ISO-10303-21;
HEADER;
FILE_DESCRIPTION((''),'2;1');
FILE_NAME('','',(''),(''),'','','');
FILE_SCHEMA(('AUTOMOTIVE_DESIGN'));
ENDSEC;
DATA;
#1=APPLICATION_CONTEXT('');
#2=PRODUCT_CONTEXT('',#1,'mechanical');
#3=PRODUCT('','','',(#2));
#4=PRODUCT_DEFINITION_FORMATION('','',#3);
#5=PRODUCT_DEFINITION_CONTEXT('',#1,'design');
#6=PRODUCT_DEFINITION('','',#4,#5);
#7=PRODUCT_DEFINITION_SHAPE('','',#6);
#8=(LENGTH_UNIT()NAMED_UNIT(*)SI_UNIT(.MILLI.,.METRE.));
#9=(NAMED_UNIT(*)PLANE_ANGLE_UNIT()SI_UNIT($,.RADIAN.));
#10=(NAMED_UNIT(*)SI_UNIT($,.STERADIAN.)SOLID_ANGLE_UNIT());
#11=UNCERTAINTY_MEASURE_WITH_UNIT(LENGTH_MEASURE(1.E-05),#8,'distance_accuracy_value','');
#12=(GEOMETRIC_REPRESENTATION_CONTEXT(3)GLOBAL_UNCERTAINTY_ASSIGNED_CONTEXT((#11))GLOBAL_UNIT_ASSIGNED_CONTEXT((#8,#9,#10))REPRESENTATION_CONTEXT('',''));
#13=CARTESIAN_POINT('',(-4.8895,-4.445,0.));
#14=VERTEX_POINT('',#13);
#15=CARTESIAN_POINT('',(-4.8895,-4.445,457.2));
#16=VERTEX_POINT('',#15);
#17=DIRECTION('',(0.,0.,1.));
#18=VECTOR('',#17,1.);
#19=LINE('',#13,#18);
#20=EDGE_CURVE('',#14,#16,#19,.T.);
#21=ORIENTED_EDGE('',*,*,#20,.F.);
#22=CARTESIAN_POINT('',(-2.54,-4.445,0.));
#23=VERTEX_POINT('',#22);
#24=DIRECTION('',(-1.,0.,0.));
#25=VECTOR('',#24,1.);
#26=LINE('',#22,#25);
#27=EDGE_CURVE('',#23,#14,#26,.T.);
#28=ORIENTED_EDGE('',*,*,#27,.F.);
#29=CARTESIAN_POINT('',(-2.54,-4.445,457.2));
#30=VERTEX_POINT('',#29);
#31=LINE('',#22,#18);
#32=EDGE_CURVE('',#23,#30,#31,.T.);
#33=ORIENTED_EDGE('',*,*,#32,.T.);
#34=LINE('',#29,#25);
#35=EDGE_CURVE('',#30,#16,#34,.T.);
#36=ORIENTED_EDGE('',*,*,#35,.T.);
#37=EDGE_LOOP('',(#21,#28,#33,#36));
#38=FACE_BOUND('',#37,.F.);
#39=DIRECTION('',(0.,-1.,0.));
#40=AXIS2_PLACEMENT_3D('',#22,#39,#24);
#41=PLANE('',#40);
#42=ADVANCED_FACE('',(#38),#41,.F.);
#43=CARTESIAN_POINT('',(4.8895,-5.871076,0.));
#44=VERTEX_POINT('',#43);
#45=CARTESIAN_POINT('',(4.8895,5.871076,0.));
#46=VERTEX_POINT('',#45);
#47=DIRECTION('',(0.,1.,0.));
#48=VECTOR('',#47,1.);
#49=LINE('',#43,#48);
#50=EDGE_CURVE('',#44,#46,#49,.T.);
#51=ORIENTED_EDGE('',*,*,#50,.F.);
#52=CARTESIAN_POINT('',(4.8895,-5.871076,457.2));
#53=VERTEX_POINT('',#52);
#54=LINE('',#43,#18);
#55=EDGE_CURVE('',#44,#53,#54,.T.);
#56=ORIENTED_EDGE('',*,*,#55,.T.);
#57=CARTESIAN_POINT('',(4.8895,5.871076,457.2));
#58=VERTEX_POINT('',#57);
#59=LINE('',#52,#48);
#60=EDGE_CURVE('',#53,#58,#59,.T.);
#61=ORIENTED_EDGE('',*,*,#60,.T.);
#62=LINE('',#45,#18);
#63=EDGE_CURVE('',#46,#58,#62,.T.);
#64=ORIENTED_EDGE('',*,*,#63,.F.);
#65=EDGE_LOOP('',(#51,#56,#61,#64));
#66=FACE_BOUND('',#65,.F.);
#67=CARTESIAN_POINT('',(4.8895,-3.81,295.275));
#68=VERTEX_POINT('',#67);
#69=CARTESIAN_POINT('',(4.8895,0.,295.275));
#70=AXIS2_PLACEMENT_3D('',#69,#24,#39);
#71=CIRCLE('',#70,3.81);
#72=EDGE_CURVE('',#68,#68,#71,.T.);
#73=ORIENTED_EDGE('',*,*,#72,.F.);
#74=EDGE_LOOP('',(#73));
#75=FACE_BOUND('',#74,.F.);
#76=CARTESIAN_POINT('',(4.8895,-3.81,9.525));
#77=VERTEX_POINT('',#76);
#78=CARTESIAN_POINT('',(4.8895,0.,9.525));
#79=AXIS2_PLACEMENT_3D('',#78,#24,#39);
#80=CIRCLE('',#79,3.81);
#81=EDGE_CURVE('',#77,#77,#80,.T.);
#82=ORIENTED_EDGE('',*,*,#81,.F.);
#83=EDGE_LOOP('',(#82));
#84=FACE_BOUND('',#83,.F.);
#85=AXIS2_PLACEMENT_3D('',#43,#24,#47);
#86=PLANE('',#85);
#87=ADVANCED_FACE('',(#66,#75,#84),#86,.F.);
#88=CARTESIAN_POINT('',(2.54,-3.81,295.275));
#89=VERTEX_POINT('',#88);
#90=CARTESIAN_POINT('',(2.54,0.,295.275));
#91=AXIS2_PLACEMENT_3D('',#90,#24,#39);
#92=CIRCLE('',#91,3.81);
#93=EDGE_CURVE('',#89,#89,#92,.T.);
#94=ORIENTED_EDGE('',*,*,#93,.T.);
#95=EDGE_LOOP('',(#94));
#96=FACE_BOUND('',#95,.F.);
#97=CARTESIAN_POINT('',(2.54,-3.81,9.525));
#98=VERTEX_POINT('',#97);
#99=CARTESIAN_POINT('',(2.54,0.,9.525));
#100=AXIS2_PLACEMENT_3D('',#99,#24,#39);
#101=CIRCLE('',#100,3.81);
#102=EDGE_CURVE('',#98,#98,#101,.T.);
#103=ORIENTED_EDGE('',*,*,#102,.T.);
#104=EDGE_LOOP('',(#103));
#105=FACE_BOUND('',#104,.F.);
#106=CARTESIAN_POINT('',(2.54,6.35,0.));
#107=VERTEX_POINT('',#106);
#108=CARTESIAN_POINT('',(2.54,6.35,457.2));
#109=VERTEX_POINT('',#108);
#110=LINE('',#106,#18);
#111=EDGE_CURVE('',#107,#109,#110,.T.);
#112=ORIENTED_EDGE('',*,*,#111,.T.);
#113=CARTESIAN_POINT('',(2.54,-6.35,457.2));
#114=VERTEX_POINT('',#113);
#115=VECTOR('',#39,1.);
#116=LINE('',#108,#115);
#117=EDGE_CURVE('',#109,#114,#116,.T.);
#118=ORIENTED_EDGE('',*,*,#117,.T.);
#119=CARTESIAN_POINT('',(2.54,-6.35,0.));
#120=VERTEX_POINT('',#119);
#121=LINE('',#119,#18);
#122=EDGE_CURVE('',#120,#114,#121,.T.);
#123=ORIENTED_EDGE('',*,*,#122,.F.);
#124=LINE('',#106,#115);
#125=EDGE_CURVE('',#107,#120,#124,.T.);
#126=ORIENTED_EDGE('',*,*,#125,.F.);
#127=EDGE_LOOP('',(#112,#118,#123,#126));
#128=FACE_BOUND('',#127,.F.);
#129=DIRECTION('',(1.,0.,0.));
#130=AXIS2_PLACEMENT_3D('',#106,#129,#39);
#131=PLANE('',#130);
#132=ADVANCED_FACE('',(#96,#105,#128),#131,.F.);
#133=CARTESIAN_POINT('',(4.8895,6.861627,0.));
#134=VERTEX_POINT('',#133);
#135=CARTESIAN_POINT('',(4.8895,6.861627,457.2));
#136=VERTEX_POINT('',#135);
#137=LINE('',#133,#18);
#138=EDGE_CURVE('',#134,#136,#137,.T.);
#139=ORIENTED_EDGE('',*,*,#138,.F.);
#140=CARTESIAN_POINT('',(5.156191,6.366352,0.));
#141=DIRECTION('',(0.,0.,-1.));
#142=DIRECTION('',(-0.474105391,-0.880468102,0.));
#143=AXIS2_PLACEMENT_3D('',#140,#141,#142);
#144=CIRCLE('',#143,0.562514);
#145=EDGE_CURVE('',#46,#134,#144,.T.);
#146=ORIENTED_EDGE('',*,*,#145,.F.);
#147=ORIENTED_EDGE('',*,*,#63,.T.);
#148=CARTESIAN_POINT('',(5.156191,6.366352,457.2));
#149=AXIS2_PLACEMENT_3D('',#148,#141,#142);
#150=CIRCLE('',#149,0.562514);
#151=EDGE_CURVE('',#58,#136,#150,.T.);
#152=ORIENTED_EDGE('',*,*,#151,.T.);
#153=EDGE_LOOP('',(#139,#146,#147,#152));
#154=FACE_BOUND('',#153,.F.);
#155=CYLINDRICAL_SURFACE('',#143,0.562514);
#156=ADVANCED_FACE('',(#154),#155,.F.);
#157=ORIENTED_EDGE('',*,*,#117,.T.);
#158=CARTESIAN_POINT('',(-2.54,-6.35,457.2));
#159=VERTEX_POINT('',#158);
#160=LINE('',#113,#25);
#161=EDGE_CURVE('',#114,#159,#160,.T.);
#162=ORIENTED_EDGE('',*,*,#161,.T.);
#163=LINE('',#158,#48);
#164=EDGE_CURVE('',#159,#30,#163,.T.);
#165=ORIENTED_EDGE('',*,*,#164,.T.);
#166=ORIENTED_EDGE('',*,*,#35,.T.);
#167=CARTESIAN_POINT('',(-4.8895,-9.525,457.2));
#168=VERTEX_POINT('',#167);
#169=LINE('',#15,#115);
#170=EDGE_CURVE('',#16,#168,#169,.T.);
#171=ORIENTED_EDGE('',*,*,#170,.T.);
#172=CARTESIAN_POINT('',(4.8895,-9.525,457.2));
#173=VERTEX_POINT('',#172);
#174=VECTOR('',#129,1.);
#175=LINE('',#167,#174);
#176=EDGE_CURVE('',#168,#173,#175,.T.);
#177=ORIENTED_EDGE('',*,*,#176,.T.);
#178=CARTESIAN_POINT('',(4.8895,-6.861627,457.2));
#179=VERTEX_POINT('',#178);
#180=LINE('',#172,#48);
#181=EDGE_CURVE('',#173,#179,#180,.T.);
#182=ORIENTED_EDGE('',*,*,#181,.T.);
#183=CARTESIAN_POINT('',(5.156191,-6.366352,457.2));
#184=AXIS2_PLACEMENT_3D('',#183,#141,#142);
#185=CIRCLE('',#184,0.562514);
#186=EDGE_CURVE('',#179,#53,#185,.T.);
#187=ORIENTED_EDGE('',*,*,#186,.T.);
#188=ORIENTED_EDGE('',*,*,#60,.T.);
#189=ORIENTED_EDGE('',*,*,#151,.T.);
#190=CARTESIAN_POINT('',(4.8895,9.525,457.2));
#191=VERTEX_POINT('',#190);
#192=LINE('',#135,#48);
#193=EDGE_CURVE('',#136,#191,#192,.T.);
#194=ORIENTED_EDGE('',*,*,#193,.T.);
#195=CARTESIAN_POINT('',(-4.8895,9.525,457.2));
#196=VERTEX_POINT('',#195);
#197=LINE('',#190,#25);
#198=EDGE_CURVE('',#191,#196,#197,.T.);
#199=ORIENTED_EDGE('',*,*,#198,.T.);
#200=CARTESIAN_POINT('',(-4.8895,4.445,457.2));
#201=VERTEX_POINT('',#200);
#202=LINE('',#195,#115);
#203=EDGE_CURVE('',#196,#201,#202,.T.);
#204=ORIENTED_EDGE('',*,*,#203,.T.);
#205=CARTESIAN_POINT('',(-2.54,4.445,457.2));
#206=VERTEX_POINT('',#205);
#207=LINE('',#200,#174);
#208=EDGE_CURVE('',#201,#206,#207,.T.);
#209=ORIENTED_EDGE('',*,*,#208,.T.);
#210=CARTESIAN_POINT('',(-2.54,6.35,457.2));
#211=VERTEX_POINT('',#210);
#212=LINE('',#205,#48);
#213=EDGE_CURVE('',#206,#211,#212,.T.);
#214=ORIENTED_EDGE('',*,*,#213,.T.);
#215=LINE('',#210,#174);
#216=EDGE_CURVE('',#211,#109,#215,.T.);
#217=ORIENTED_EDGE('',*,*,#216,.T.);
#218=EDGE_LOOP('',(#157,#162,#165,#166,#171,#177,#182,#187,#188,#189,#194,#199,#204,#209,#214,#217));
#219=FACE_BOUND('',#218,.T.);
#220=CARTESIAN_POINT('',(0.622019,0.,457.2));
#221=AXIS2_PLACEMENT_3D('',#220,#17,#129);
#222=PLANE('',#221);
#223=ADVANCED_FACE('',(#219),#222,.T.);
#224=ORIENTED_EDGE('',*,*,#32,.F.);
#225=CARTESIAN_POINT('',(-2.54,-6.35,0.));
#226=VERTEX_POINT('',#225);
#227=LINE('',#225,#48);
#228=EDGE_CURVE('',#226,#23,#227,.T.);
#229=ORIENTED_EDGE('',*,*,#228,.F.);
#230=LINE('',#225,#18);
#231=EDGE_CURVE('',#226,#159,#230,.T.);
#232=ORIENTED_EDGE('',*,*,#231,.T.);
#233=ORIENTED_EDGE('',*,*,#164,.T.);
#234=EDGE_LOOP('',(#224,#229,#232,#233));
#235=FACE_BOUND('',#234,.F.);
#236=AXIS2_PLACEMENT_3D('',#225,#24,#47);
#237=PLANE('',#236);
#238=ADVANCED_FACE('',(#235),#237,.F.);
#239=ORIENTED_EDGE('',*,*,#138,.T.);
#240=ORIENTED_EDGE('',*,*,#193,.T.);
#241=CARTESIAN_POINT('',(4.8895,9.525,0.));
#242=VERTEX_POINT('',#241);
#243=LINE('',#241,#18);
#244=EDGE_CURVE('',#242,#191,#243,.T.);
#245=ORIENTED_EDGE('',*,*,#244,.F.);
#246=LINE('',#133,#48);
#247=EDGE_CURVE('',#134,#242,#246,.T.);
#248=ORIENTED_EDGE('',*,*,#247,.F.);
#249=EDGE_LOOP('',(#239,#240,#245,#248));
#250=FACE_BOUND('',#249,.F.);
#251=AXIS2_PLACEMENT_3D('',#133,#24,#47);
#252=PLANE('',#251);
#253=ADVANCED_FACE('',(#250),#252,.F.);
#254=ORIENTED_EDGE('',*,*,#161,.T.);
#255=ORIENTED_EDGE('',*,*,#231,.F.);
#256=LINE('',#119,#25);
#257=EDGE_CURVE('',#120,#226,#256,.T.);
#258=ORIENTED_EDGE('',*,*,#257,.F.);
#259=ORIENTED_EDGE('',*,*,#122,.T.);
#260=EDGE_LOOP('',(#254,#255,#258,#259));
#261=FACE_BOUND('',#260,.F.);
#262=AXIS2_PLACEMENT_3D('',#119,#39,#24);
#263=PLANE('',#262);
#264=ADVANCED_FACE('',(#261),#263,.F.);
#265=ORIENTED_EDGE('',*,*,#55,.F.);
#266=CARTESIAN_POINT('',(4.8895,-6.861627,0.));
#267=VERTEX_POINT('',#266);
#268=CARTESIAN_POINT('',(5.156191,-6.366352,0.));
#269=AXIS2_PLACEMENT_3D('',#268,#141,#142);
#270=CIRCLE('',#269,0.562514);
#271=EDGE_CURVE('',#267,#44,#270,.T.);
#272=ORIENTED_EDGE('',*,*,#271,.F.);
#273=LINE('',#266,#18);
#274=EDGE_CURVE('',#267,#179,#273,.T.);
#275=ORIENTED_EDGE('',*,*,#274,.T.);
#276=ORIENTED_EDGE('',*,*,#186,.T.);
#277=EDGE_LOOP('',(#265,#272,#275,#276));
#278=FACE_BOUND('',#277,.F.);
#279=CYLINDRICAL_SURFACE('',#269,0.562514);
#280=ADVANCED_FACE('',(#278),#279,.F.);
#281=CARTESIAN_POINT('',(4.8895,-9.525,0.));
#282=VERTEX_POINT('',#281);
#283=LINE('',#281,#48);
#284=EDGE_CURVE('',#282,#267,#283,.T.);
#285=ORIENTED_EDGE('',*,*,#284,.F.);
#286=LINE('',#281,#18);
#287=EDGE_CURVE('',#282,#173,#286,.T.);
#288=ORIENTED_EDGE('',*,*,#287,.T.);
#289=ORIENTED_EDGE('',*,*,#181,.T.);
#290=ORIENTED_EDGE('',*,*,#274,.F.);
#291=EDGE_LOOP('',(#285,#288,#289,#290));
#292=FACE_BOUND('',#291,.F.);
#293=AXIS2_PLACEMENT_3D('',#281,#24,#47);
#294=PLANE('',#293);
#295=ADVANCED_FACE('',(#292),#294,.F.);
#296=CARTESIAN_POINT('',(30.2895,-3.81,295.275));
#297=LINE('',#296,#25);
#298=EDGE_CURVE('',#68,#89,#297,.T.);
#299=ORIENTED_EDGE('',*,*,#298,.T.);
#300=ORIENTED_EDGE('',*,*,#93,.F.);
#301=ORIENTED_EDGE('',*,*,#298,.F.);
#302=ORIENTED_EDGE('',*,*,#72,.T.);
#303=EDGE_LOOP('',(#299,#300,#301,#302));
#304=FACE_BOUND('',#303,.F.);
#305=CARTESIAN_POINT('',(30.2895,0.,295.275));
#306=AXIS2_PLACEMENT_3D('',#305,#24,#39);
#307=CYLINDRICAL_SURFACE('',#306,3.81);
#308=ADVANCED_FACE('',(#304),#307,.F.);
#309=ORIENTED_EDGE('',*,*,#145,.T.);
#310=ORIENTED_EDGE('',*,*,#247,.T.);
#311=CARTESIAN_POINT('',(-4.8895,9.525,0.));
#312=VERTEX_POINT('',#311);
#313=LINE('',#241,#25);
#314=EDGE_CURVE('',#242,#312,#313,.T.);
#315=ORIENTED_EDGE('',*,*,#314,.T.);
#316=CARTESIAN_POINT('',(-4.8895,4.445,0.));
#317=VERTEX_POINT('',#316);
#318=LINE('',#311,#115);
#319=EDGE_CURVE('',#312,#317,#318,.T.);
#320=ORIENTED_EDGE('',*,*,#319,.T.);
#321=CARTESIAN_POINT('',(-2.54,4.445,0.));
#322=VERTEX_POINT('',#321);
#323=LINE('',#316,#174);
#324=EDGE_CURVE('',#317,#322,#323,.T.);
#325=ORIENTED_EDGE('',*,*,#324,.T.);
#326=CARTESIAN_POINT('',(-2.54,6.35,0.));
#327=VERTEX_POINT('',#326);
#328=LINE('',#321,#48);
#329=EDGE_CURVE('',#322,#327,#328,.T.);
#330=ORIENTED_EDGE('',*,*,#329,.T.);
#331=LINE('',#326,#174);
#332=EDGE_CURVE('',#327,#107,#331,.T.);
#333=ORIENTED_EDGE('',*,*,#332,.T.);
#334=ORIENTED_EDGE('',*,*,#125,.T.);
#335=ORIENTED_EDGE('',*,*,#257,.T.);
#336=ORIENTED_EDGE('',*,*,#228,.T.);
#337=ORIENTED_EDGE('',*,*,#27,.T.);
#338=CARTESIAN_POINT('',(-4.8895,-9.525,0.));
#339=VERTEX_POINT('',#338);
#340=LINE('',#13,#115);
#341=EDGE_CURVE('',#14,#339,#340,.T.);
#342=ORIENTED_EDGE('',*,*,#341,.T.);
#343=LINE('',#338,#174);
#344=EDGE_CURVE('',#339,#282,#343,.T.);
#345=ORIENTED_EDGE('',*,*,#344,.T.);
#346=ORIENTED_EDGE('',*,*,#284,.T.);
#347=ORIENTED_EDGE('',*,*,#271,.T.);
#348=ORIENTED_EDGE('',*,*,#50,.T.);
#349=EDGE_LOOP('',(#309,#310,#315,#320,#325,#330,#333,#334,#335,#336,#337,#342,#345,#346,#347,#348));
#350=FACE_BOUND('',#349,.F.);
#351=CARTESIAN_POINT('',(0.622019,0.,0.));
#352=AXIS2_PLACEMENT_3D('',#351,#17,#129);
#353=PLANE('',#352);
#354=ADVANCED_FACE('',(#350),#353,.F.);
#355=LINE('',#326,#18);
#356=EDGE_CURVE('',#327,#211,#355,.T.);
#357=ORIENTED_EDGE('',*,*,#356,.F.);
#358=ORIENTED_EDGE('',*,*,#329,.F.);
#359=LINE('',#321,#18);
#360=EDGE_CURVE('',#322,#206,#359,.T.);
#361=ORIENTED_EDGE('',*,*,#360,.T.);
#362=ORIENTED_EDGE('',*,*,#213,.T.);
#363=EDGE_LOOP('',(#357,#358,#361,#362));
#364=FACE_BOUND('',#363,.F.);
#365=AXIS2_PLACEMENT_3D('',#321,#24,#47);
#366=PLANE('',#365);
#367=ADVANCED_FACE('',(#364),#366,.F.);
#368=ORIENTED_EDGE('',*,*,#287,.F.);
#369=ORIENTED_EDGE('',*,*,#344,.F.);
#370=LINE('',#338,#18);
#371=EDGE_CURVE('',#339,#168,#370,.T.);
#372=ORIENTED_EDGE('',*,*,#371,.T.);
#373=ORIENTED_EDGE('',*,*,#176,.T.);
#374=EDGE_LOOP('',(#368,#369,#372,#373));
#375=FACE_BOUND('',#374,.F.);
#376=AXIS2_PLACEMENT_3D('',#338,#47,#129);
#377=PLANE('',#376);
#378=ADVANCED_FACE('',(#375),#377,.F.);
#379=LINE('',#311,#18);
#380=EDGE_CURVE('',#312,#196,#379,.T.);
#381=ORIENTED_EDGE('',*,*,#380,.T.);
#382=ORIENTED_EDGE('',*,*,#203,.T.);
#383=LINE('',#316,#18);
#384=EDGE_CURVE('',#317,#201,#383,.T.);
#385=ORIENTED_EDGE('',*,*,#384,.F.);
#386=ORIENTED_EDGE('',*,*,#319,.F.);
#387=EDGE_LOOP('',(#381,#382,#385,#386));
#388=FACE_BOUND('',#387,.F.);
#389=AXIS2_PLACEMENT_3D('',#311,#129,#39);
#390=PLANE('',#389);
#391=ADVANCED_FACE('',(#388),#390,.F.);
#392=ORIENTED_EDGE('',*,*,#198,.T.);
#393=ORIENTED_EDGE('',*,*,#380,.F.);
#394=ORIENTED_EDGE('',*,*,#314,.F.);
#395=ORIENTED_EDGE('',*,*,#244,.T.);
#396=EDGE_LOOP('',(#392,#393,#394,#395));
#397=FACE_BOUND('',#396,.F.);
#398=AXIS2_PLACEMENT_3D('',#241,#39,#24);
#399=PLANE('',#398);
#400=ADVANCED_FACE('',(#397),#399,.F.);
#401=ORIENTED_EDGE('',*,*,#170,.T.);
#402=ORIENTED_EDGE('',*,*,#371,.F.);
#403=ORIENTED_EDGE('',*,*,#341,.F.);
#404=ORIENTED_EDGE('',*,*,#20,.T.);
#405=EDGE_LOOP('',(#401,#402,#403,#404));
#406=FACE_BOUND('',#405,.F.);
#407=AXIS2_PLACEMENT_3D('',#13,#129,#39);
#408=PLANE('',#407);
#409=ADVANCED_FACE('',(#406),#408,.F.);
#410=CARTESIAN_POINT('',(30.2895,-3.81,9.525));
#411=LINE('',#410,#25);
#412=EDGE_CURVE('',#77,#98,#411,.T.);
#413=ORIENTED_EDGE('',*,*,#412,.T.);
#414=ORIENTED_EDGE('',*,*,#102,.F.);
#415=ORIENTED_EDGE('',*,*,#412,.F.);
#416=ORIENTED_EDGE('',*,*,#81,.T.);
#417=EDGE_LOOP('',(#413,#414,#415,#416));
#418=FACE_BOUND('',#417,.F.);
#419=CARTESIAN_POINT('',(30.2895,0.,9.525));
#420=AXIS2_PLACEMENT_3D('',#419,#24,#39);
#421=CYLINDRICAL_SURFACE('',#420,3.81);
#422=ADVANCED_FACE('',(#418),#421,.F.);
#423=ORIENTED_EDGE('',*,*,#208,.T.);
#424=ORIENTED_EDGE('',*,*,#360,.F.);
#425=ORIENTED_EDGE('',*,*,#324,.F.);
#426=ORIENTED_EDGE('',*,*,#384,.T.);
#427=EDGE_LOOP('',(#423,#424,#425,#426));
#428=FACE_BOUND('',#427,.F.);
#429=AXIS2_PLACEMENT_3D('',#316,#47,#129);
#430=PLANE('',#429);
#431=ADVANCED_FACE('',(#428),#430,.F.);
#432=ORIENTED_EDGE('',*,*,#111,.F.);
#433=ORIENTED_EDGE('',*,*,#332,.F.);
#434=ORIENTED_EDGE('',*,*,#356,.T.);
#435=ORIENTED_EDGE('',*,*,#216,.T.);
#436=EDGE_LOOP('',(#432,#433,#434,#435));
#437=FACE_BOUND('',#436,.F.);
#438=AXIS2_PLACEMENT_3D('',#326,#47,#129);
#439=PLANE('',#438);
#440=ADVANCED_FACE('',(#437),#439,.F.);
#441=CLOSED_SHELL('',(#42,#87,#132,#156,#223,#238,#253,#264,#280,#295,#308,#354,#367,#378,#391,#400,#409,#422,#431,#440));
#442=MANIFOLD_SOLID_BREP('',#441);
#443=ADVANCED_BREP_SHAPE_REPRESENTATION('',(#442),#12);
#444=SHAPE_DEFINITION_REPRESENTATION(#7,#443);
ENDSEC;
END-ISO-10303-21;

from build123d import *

# Parameters (mm, degrees)
F1_DEPTH = 457.2
F3_D     = 7.62
F3_DEPTH = 25.4


with BuildPart() as f1:
    # F0 (on Top) → F1 (new body)
    with BuildSketch(Plane.XY):
        with BuildLine():
            Line((-4.8895, -9.525), (4.8895, -9.525))
            Line((4.8895, -9.525), (4.8895, -6.861627))
            ThreePointArc((4.8895, -6.861627), (4.593677, -6.366351), (4.8895, -5.871076))
            Line((4.8895, -5.871076), (4.8895, 5.871076))
            ThreePointArc((4.8895, 5.871076), (4.593677, 6.366351), (4.8895, 6.861627))
            Line((4.8895, 6.861627), (4.8895, 9.525))
            Line((4.8895, 9.525), (-4.8895, 9.525))
            Line((-4.8895, 9.525), (-4.8895, 4.445))
            Line((-4.8895, 4.445), (-2.54, 4.445))
            Line((-2.54, 4.445), (-2.54, 6.35))
            Line((-2.54, 6.35), (2.54, 6.35))
            Line((2.54, 6.35), (2.54, -6.35))
            Line((2.54, -6.35), (-2.54, -6.35))
            Line((-2.54, -6.35), (-2.54, -4.445))
            Line((-2.54, -4.445), (-4.8895, -4.445))
            Line((-4.8895, -4.445), (-4.8895, -9.525))
        make_face()
    extrude(amount=F1_DEPTH)

    # F3
    with Locations(Plane.YZ.offset(4.8895)):
        with Locations((0, 9.525), (0, 295.275)):
            Hole(F3_D / 2, depth=F3_DEPTH)


solid = f1.part
